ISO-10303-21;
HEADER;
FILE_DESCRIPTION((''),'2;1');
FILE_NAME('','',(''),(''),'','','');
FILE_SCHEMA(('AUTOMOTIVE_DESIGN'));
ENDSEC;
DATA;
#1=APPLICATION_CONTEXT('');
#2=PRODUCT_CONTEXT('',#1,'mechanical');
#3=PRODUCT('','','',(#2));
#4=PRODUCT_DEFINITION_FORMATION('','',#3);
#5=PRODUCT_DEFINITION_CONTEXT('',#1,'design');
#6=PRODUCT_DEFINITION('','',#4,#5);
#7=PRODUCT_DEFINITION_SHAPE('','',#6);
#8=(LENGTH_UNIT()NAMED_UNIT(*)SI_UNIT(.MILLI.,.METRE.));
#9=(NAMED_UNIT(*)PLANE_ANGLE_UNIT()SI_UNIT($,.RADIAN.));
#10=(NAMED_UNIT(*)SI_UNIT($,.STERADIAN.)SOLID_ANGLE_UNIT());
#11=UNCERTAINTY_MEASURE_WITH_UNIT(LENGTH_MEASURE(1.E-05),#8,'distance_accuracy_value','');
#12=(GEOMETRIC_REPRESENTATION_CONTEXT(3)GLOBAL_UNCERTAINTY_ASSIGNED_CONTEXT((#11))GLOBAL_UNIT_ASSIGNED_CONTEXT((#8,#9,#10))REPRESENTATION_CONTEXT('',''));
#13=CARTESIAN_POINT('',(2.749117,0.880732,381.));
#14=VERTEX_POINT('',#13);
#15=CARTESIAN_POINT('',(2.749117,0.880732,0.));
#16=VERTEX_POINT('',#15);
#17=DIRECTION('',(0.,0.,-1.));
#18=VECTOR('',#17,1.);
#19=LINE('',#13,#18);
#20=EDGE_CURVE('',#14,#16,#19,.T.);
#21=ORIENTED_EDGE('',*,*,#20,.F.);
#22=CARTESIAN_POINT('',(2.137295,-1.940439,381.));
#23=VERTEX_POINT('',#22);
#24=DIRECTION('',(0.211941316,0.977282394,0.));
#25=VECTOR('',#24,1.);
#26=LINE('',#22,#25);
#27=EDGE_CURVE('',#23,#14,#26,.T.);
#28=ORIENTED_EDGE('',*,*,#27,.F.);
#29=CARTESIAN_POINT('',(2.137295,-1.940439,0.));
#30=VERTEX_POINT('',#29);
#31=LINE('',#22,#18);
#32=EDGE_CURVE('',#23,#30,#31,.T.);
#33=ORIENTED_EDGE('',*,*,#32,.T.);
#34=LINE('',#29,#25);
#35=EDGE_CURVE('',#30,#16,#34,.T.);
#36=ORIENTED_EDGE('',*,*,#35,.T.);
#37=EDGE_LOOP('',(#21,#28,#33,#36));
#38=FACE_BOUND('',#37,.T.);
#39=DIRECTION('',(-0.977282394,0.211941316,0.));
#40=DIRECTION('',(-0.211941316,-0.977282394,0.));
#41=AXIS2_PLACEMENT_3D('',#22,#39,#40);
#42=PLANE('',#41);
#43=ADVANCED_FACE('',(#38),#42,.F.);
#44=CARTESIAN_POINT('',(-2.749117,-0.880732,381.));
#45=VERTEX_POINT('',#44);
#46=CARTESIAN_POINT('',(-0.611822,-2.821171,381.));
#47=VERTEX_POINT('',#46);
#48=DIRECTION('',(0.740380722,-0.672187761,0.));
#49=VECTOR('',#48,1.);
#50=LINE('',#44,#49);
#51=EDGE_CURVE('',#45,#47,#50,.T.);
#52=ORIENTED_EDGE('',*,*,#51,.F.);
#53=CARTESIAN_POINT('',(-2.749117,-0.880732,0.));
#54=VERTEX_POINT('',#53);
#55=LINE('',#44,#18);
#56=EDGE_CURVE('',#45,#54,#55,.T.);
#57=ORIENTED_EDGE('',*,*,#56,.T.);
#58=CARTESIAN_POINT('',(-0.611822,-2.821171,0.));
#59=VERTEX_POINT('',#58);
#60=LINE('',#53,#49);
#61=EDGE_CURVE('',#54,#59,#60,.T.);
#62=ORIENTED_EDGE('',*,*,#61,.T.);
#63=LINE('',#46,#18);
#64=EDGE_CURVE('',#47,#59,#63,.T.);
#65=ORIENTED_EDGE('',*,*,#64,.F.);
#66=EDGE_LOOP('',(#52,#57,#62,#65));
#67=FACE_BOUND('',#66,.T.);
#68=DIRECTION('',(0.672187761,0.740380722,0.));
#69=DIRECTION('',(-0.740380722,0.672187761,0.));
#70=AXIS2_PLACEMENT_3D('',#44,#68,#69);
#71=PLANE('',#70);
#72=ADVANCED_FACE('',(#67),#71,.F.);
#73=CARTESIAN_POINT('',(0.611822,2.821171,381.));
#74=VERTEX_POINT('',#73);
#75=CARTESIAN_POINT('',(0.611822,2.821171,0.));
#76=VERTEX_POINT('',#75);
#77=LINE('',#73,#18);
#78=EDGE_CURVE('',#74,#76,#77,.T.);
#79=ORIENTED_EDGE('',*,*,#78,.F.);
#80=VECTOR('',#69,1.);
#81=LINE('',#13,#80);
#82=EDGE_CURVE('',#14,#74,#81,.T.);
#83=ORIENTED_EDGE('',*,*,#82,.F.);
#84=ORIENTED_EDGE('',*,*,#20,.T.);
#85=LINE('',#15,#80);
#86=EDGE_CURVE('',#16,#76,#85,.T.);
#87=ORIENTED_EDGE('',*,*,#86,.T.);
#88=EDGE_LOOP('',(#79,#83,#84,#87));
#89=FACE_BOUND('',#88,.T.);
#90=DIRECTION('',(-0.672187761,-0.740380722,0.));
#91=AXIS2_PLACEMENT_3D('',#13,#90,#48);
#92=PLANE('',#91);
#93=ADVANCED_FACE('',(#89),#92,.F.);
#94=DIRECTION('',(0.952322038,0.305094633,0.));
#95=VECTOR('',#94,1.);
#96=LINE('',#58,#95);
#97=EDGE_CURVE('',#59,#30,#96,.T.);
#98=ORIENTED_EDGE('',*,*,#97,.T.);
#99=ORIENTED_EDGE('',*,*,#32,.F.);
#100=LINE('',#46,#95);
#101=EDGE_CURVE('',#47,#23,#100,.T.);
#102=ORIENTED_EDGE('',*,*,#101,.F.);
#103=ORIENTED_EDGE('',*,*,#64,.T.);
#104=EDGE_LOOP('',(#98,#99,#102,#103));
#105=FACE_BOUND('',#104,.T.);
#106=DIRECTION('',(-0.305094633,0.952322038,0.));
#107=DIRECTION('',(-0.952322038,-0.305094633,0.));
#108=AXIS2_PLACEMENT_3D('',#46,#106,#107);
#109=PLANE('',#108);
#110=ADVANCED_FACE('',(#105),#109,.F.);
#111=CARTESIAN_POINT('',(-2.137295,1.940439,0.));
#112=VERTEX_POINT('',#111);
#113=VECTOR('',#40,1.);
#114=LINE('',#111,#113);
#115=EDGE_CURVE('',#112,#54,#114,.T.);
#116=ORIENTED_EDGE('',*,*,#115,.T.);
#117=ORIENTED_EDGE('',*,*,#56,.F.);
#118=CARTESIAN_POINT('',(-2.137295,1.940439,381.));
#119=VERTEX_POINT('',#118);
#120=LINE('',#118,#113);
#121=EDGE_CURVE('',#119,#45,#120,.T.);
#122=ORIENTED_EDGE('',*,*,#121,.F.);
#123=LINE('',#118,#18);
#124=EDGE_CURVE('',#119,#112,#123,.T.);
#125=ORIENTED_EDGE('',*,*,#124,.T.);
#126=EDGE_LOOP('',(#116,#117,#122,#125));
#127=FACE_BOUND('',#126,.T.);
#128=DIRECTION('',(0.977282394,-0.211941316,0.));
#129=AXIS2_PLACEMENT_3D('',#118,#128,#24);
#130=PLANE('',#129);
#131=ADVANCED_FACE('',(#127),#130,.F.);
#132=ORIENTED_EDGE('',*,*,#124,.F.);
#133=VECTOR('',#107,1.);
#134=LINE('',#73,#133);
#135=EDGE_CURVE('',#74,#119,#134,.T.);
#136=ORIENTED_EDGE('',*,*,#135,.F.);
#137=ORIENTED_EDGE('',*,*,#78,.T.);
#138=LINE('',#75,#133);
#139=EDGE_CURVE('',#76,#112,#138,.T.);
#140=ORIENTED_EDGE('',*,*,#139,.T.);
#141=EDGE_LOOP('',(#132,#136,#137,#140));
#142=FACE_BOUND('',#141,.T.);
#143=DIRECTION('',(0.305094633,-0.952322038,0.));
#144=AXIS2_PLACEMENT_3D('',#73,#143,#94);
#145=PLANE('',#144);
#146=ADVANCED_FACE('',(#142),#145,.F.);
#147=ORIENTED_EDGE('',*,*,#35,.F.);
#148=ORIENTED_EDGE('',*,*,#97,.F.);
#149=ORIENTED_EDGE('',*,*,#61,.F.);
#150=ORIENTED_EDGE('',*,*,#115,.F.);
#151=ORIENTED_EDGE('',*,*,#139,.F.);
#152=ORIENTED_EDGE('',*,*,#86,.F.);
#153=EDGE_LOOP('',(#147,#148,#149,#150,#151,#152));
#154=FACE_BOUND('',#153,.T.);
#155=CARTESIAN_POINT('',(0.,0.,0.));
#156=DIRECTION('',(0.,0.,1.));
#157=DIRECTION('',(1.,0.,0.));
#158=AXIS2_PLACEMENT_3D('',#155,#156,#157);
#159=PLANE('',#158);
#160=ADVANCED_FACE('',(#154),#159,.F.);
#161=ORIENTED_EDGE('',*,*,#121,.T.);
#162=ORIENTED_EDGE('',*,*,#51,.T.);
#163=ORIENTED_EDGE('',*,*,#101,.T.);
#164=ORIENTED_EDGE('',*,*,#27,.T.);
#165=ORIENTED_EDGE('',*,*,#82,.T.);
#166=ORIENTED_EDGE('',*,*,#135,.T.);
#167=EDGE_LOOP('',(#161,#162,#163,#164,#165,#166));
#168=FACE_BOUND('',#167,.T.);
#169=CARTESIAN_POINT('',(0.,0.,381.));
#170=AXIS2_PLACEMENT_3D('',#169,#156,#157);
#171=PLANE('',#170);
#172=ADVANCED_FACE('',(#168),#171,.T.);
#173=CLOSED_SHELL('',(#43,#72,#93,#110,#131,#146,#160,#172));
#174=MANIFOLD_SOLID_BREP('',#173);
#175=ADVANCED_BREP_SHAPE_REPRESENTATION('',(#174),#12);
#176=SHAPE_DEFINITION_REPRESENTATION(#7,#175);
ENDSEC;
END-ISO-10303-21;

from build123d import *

# Parameters (mm, degrees)
BOSS_EXTRUDE1_DEPTH = 381


with BuildPart() as part:
    # Sketch1 → Boss-Extrude1 (new body)
    with BuildSketch(Plane.XY):
        Polygon((2.137295047, -1.940438924), (2.749116926, 0.880732344), (0.611821879, 2.821171268), (-2.137295047, 1.940438924), (-2.749116926, -0.880732344), (-0.611821879, -2.821171268), align=None)
    extrude(amount=BOSS_EXTRUDE1_DEPTH)


solid = part.part
